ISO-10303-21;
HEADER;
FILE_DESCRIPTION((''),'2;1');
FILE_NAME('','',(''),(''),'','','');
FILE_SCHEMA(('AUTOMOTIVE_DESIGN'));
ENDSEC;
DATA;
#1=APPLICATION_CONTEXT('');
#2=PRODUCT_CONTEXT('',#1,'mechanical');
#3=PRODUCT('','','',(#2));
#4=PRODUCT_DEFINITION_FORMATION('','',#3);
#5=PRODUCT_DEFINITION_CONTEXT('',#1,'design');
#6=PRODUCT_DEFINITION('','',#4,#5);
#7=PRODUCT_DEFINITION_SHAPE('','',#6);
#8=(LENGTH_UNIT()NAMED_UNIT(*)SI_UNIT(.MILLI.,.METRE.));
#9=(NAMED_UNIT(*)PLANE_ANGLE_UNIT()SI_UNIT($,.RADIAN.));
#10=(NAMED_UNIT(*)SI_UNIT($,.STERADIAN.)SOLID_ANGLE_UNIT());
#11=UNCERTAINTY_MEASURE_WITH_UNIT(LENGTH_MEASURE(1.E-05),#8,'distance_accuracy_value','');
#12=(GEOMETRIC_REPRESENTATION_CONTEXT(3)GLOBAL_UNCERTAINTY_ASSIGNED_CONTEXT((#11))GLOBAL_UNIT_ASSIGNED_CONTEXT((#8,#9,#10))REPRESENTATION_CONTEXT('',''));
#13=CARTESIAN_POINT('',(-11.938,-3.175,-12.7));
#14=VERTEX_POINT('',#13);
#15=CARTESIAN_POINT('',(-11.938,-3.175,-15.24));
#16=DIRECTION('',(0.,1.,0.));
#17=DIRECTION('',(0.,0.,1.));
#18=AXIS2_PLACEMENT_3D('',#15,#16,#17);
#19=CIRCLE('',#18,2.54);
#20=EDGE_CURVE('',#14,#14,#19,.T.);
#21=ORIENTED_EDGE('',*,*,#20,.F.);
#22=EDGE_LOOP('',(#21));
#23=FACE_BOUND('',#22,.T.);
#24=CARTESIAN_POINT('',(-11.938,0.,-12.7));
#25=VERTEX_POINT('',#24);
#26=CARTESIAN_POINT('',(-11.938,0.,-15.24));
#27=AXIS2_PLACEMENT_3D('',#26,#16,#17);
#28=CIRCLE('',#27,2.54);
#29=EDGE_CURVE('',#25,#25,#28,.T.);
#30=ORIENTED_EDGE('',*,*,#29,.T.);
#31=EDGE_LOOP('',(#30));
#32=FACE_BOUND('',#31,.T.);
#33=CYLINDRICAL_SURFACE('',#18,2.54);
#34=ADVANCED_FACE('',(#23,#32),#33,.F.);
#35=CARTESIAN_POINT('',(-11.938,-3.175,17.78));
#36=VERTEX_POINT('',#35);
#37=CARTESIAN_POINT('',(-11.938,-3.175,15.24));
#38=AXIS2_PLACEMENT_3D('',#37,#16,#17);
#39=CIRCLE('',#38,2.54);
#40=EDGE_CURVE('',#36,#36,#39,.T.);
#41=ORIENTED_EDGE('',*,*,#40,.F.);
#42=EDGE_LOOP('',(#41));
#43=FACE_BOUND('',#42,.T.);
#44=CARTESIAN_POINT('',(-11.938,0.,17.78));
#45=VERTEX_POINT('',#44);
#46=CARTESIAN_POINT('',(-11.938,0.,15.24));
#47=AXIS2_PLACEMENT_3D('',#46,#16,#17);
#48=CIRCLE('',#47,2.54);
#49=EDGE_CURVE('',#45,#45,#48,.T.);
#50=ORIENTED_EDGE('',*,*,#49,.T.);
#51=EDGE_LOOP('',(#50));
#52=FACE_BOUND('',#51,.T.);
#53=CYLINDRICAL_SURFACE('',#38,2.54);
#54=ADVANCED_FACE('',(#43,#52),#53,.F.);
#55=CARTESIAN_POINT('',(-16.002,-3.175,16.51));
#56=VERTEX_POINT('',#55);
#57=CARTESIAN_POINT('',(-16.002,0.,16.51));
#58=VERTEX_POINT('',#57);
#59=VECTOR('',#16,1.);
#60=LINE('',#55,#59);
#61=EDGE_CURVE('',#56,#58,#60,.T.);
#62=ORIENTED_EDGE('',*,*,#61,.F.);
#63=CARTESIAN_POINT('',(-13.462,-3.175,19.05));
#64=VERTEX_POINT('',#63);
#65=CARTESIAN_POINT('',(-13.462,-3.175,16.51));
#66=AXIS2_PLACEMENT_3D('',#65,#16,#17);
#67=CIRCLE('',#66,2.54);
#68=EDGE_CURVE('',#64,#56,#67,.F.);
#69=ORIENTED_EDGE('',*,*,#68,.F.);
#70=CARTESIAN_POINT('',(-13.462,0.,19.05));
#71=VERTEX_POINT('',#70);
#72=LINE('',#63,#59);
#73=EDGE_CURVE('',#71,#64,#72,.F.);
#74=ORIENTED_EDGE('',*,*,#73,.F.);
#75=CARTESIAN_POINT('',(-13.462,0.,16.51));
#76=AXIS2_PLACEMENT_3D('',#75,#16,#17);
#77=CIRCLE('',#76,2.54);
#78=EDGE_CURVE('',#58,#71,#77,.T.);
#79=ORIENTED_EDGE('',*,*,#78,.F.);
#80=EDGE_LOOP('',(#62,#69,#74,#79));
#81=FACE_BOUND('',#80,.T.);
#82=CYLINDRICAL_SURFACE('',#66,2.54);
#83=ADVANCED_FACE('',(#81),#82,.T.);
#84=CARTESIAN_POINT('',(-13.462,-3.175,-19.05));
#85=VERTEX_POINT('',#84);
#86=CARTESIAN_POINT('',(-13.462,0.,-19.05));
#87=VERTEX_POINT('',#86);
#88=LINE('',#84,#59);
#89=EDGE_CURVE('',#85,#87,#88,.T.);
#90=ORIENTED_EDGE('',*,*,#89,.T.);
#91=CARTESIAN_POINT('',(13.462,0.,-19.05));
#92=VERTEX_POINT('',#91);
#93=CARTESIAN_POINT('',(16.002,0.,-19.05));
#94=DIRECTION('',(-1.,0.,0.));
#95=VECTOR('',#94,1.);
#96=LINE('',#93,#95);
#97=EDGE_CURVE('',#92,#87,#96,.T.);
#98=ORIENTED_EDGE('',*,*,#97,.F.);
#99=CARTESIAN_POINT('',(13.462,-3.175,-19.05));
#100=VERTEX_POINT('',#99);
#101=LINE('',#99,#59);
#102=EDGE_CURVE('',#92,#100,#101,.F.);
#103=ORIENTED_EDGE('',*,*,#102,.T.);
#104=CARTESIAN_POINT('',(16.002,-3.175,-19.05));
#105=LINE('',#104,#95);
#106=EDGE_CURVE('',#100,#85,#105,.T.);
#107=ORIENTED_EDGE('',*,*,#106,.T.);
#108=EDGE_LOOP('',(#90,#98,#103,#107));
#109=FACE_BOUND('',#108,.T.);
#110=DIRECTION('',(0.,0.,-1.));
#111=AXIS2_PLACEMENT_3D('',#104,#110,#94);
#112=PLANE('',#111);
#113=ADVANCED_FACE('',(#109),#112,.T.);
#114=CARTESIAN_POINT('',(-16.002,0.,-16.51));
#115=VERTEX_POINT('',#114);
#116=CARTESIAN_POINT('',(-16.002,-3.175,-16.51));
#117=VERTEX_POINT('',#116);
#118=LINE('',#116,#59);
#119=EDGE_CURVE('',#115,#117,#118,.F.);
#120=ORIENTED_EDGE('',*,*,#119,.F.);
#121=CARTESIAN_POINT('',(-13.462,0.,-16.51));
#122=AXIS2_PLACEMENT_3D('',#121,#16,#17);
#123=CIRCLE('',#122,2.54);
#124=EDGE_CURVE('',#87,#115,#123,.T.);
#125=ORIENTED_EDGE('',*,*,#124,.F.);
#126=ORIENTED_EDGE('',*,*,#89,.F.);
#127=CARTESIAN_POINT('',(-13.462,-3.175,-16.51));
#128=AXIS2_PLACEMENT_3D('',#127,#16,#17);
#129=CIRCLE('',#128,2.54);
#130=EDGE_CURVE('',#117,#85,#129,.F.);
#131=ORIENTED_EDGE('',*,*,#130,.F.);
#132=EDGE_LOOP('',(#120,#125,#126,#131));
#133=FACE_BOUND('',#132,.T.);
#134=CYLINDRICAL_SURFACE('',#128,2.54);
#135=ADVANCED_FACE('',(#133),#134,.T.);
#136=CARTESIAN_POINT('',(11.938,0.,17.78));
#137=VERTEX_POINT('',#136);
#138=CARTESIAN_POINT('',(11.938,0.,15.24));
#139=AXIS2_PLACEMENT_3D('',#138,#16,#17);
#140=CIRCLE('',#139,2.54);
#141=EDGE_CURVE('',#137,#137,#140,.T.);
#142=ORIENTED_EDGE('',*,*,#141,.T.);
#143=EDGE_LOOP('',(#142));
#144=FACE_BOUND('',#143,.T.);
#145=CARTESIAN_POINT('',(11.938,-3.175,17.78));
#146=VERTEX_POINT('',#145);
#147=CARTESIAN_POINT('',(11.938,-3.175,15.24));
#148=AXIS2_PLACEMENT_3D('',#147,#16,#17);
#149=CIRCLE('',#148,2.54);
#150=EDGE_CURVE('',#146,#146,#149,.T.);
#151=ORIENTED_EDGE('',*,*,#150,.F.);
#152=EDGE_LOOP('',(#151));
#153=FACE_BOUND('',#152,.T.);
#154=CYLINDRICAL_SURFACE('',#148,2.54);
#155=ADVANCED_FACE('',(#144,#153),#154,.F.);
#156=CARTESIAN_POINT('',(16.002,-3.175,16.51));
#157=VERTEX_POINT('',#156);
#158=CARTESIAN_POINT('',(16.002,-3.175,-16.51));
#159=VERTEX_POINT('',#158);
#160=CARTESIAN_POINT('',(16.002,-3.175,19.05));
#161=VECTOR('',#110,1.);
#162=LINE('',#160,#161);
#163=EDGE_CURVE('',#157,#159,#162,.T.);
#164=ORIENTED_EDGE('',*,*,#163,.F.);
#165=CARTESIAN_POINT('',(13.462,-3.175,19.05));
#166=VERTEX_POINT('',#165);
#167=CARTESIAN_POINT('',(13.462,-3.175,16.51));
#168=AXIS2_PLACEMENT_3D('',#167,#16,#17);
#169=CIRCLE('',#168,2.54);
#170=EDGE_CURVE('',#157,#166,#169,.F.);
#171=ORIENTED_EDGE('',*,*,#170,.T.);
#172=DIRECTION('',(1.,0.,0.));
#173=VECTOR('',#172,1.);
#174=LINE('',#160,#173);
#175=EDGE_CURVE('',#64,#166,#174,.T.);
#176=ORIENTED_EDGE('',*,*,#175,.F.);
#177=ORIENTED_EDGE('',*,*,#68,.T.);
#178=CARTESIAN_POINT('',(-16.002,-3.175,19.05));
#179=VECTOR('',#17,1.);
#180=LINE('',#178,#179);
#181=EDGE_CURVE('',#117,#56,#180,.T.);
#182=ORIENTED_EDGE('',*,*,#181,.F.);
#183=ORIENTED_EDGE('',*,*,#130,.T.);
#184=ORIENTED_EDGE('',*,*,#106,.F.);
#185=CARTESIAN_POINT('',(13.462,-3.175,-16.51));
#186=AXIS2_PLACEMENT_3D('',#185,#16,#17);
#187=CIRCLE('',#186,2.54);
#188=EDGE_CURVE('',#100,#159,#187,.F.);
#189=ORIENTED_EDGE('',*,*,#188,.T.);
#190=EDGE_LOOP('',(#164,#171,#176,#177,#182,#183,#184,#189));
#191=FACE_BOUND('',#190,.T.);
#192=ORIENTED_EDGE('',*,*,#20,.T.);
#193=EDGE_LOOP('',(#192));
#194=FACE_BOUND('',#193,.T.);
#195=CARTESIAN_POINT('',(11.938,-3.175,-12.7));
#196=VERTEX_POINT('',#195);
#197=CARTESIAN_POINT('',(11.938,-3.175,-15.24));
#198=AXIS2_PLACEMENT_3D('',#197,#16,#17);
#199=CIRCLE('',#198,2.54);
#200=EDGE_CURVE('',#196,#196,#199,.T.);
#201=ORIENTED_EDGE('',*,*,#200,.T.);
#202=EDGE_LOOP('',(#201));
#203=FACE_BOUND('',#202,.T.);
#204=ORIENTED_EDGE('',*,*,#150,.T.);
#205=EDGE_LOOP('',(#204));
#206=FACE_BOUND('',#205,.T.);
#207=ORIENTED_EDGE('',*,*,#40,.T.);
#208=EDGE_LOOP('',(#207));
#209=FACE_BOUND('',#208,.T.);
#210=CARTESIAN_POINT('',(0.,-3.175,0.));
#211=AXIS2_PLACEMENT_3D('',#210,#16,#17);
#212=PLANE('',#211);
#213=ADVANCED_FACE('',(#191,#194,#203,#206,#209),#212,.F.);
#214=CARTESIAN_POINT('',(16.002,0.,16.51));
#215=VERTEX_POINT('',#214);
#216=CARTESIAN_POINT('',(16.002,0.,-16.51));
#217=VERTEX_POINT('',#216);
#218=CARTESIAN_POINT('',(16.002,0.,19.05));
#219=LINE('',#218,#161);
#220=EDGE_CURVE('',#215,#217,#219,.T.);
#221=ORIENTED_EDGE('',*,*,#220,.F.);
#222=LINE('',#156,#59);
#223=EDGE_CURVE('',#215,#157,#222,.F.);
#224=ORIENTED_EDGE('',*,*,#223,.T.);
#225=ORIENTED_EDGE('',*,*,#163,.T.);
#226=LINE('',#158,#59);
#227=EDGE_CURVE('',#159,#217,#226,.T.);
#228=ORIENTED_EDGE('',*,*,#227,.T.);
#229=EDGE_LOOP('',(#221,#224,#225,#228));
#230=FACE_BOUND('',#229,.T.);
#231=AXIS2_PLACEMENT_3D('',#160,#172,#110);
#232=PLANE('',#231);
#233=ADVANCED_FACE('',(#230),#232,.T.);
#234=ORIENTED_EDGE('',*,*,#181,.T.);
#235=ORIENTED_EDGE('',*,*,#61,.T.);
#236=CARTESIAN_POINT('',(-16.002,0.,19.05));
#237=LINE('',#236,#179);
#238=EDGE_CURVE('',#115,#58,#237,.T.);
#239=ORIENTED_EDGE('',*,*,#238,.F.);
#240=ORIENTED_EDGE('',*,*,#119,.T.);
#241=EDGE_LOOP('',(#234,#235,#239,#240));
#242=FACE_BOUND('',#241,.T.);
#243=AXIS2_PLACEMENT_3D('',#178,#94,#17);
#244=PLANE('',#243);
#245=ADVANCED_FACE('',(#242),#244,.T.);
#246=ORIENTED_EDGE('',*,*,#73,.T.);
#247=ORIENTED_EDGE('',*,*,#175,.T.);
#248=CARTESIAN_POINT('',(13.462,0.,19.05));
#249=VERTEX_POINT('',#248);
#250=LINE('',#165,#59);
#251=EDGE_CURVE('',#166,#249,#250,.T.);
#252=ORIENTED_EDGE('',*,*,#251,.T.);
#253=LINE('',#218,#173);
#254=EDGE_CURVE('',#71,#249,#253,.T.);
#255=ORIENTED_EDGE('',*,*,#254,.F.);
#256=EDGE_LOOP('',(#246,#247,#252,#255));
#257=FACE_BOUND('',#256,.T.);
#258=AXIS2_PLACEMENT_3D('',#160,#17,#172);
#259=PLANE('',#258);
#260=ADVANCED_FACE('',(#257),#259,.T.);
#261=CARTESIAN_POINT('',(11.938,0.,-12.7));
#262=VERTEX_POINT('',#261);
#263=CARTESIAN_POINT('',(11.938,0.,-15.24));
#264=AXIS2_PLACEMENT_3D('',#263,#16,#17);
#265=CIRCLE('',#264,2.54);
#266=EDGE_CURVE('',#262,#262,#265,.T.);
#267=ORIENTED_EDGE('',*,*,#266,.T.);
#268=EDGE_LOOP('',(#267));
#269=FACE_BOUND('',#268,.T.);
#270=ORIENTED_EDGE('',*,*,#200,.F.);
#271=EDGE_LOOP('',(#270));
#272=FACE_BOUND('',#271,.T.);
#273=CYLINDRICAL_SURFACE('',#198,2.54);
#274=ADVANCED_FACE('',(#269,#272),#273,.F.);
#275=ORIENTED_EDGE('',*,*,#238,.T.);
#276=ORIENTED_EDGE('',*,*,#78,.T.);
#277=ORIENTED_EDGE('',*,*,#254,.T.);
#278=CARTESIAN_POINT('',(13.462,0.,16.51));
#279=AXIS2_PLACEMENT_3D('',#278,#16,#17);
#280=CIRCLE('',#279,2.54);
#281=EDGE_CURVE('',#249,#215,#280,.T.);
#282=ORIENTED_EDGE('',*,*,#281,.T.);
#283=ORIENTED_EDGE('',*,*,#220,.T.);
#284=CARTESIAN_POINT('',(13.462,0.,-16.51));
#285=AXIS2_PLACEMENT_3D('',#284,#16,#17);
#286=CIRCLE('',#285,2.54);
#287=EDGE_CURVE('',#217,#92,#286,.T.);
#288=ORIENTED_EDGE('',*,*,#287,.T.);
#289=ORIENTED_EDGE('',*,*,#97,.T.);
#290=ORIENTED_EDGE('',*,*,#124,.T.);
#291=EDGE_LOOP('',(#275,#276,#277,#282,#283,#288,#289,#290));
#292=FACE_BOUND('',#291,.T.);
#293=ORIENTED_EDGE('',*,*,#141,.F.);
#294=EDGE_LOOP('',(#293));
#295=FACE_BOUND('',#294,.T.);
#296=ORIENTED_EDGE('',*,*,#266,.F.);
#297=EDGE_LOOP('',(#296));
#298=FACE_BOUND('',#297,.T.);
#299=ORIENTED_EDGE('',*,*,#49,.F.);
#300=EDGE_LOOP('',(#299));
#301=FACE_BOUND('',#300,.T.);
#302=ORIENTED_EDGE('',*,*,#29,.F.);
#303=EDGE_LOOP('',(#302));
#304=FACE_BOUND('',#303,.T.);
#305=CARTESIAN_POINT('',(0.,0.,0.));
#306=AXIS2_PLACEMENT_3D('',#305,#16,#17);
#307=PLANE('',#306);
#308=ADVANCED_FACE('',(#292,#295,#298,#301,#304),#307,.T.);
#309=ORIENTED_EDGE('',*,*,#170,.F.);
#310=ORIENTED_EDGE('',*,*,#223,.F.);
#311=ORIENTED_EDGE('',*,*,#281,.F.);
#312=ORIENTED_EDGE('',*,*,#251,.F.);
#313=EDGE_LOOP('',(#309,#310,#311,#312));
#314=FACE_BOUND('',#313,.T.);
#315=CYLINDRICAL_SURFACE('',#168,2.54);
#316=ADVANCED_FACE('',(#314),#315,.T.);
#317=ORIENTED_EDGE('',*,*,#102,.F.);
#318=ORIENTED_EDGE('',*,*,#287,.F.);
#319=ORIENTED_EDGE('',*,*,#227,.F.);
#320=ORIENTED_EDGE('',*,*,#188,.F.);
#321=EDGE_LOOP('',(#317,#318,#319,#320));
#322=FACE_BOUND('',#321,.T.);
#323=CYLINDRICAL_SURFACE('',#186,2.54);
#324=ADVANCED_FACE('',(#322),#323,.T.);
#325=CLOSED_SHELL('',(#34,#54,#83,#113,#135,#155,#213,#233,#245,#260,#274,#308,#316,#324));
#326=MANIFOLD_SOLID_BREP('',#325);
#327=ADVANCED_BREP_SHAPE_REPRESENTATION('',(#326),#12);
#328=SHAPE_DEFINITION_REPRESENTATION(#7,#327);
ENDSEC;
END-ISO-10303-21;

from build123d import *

# Parameters (mm, degrees)
SKETCH3_W           = 32.004
SKETCH3_H           = 38.1
BOSS_EXTRUDE1_DEPTH = 3.175
SKETCH4_R           = 2.54
CUT_EXTRUDE1_DEPTH  = 26.080811969
FILLET1_R           = 2.54


with BuildPart() as part:
    # Sketch3 → Boss-Extrude1 (new body)
    with BuildSketch(Plane(origin=(0, 0, 0), x_dir=(1, 0, 0), z_dir=(0, 1, 0))):
        Rectangle(SKETCH3_W, SKETCH3_H)
    extrude(amount=-BOSS_EXTRUDE1_DEPTH)

    # Sketch4 → Cut-Extrude1 (cut, through all)
    with BuildSketch(Plane(origin=(0, 0, 0), x_dir=(1, 0, 0), z_dir=(0, 1, 0))):
        with Locations(Location((11.938, 15.24, 0), (0, 0, 270))):
            Circle(SKETCH4_R)
        with Locations(Location((-11.938, 15.24, 0), (0, 0, 270))):
            Circle(SKETCH4_R)
        with Locations(Location((-11.938, -15.24, 0), (0, 0, 270))):
            Circle(SKETCH4_R)
        with Locations(Location((11.938, -15.24, 0), (0, 0, 270))):
            Circle(SKETCH4_R)
    extrude(amount=-CUT_EXTRUDE1_DEPTH, mode=Mode.SUBTRACT)

    # Fillet1
    fillet1_edges = [part.edges().sort_by_distance(p)[0] for p in [
        (-16.002, -1.5875, -19.05),
        (16.002, -1.5875, -19.05),
        (16.002, -1.5875, 19.05),
        (-16.002, -1.5875, 19.05),
    ]]
    fillet(fillet1_edges, radius=FILLET1_R)


solid = part.part
